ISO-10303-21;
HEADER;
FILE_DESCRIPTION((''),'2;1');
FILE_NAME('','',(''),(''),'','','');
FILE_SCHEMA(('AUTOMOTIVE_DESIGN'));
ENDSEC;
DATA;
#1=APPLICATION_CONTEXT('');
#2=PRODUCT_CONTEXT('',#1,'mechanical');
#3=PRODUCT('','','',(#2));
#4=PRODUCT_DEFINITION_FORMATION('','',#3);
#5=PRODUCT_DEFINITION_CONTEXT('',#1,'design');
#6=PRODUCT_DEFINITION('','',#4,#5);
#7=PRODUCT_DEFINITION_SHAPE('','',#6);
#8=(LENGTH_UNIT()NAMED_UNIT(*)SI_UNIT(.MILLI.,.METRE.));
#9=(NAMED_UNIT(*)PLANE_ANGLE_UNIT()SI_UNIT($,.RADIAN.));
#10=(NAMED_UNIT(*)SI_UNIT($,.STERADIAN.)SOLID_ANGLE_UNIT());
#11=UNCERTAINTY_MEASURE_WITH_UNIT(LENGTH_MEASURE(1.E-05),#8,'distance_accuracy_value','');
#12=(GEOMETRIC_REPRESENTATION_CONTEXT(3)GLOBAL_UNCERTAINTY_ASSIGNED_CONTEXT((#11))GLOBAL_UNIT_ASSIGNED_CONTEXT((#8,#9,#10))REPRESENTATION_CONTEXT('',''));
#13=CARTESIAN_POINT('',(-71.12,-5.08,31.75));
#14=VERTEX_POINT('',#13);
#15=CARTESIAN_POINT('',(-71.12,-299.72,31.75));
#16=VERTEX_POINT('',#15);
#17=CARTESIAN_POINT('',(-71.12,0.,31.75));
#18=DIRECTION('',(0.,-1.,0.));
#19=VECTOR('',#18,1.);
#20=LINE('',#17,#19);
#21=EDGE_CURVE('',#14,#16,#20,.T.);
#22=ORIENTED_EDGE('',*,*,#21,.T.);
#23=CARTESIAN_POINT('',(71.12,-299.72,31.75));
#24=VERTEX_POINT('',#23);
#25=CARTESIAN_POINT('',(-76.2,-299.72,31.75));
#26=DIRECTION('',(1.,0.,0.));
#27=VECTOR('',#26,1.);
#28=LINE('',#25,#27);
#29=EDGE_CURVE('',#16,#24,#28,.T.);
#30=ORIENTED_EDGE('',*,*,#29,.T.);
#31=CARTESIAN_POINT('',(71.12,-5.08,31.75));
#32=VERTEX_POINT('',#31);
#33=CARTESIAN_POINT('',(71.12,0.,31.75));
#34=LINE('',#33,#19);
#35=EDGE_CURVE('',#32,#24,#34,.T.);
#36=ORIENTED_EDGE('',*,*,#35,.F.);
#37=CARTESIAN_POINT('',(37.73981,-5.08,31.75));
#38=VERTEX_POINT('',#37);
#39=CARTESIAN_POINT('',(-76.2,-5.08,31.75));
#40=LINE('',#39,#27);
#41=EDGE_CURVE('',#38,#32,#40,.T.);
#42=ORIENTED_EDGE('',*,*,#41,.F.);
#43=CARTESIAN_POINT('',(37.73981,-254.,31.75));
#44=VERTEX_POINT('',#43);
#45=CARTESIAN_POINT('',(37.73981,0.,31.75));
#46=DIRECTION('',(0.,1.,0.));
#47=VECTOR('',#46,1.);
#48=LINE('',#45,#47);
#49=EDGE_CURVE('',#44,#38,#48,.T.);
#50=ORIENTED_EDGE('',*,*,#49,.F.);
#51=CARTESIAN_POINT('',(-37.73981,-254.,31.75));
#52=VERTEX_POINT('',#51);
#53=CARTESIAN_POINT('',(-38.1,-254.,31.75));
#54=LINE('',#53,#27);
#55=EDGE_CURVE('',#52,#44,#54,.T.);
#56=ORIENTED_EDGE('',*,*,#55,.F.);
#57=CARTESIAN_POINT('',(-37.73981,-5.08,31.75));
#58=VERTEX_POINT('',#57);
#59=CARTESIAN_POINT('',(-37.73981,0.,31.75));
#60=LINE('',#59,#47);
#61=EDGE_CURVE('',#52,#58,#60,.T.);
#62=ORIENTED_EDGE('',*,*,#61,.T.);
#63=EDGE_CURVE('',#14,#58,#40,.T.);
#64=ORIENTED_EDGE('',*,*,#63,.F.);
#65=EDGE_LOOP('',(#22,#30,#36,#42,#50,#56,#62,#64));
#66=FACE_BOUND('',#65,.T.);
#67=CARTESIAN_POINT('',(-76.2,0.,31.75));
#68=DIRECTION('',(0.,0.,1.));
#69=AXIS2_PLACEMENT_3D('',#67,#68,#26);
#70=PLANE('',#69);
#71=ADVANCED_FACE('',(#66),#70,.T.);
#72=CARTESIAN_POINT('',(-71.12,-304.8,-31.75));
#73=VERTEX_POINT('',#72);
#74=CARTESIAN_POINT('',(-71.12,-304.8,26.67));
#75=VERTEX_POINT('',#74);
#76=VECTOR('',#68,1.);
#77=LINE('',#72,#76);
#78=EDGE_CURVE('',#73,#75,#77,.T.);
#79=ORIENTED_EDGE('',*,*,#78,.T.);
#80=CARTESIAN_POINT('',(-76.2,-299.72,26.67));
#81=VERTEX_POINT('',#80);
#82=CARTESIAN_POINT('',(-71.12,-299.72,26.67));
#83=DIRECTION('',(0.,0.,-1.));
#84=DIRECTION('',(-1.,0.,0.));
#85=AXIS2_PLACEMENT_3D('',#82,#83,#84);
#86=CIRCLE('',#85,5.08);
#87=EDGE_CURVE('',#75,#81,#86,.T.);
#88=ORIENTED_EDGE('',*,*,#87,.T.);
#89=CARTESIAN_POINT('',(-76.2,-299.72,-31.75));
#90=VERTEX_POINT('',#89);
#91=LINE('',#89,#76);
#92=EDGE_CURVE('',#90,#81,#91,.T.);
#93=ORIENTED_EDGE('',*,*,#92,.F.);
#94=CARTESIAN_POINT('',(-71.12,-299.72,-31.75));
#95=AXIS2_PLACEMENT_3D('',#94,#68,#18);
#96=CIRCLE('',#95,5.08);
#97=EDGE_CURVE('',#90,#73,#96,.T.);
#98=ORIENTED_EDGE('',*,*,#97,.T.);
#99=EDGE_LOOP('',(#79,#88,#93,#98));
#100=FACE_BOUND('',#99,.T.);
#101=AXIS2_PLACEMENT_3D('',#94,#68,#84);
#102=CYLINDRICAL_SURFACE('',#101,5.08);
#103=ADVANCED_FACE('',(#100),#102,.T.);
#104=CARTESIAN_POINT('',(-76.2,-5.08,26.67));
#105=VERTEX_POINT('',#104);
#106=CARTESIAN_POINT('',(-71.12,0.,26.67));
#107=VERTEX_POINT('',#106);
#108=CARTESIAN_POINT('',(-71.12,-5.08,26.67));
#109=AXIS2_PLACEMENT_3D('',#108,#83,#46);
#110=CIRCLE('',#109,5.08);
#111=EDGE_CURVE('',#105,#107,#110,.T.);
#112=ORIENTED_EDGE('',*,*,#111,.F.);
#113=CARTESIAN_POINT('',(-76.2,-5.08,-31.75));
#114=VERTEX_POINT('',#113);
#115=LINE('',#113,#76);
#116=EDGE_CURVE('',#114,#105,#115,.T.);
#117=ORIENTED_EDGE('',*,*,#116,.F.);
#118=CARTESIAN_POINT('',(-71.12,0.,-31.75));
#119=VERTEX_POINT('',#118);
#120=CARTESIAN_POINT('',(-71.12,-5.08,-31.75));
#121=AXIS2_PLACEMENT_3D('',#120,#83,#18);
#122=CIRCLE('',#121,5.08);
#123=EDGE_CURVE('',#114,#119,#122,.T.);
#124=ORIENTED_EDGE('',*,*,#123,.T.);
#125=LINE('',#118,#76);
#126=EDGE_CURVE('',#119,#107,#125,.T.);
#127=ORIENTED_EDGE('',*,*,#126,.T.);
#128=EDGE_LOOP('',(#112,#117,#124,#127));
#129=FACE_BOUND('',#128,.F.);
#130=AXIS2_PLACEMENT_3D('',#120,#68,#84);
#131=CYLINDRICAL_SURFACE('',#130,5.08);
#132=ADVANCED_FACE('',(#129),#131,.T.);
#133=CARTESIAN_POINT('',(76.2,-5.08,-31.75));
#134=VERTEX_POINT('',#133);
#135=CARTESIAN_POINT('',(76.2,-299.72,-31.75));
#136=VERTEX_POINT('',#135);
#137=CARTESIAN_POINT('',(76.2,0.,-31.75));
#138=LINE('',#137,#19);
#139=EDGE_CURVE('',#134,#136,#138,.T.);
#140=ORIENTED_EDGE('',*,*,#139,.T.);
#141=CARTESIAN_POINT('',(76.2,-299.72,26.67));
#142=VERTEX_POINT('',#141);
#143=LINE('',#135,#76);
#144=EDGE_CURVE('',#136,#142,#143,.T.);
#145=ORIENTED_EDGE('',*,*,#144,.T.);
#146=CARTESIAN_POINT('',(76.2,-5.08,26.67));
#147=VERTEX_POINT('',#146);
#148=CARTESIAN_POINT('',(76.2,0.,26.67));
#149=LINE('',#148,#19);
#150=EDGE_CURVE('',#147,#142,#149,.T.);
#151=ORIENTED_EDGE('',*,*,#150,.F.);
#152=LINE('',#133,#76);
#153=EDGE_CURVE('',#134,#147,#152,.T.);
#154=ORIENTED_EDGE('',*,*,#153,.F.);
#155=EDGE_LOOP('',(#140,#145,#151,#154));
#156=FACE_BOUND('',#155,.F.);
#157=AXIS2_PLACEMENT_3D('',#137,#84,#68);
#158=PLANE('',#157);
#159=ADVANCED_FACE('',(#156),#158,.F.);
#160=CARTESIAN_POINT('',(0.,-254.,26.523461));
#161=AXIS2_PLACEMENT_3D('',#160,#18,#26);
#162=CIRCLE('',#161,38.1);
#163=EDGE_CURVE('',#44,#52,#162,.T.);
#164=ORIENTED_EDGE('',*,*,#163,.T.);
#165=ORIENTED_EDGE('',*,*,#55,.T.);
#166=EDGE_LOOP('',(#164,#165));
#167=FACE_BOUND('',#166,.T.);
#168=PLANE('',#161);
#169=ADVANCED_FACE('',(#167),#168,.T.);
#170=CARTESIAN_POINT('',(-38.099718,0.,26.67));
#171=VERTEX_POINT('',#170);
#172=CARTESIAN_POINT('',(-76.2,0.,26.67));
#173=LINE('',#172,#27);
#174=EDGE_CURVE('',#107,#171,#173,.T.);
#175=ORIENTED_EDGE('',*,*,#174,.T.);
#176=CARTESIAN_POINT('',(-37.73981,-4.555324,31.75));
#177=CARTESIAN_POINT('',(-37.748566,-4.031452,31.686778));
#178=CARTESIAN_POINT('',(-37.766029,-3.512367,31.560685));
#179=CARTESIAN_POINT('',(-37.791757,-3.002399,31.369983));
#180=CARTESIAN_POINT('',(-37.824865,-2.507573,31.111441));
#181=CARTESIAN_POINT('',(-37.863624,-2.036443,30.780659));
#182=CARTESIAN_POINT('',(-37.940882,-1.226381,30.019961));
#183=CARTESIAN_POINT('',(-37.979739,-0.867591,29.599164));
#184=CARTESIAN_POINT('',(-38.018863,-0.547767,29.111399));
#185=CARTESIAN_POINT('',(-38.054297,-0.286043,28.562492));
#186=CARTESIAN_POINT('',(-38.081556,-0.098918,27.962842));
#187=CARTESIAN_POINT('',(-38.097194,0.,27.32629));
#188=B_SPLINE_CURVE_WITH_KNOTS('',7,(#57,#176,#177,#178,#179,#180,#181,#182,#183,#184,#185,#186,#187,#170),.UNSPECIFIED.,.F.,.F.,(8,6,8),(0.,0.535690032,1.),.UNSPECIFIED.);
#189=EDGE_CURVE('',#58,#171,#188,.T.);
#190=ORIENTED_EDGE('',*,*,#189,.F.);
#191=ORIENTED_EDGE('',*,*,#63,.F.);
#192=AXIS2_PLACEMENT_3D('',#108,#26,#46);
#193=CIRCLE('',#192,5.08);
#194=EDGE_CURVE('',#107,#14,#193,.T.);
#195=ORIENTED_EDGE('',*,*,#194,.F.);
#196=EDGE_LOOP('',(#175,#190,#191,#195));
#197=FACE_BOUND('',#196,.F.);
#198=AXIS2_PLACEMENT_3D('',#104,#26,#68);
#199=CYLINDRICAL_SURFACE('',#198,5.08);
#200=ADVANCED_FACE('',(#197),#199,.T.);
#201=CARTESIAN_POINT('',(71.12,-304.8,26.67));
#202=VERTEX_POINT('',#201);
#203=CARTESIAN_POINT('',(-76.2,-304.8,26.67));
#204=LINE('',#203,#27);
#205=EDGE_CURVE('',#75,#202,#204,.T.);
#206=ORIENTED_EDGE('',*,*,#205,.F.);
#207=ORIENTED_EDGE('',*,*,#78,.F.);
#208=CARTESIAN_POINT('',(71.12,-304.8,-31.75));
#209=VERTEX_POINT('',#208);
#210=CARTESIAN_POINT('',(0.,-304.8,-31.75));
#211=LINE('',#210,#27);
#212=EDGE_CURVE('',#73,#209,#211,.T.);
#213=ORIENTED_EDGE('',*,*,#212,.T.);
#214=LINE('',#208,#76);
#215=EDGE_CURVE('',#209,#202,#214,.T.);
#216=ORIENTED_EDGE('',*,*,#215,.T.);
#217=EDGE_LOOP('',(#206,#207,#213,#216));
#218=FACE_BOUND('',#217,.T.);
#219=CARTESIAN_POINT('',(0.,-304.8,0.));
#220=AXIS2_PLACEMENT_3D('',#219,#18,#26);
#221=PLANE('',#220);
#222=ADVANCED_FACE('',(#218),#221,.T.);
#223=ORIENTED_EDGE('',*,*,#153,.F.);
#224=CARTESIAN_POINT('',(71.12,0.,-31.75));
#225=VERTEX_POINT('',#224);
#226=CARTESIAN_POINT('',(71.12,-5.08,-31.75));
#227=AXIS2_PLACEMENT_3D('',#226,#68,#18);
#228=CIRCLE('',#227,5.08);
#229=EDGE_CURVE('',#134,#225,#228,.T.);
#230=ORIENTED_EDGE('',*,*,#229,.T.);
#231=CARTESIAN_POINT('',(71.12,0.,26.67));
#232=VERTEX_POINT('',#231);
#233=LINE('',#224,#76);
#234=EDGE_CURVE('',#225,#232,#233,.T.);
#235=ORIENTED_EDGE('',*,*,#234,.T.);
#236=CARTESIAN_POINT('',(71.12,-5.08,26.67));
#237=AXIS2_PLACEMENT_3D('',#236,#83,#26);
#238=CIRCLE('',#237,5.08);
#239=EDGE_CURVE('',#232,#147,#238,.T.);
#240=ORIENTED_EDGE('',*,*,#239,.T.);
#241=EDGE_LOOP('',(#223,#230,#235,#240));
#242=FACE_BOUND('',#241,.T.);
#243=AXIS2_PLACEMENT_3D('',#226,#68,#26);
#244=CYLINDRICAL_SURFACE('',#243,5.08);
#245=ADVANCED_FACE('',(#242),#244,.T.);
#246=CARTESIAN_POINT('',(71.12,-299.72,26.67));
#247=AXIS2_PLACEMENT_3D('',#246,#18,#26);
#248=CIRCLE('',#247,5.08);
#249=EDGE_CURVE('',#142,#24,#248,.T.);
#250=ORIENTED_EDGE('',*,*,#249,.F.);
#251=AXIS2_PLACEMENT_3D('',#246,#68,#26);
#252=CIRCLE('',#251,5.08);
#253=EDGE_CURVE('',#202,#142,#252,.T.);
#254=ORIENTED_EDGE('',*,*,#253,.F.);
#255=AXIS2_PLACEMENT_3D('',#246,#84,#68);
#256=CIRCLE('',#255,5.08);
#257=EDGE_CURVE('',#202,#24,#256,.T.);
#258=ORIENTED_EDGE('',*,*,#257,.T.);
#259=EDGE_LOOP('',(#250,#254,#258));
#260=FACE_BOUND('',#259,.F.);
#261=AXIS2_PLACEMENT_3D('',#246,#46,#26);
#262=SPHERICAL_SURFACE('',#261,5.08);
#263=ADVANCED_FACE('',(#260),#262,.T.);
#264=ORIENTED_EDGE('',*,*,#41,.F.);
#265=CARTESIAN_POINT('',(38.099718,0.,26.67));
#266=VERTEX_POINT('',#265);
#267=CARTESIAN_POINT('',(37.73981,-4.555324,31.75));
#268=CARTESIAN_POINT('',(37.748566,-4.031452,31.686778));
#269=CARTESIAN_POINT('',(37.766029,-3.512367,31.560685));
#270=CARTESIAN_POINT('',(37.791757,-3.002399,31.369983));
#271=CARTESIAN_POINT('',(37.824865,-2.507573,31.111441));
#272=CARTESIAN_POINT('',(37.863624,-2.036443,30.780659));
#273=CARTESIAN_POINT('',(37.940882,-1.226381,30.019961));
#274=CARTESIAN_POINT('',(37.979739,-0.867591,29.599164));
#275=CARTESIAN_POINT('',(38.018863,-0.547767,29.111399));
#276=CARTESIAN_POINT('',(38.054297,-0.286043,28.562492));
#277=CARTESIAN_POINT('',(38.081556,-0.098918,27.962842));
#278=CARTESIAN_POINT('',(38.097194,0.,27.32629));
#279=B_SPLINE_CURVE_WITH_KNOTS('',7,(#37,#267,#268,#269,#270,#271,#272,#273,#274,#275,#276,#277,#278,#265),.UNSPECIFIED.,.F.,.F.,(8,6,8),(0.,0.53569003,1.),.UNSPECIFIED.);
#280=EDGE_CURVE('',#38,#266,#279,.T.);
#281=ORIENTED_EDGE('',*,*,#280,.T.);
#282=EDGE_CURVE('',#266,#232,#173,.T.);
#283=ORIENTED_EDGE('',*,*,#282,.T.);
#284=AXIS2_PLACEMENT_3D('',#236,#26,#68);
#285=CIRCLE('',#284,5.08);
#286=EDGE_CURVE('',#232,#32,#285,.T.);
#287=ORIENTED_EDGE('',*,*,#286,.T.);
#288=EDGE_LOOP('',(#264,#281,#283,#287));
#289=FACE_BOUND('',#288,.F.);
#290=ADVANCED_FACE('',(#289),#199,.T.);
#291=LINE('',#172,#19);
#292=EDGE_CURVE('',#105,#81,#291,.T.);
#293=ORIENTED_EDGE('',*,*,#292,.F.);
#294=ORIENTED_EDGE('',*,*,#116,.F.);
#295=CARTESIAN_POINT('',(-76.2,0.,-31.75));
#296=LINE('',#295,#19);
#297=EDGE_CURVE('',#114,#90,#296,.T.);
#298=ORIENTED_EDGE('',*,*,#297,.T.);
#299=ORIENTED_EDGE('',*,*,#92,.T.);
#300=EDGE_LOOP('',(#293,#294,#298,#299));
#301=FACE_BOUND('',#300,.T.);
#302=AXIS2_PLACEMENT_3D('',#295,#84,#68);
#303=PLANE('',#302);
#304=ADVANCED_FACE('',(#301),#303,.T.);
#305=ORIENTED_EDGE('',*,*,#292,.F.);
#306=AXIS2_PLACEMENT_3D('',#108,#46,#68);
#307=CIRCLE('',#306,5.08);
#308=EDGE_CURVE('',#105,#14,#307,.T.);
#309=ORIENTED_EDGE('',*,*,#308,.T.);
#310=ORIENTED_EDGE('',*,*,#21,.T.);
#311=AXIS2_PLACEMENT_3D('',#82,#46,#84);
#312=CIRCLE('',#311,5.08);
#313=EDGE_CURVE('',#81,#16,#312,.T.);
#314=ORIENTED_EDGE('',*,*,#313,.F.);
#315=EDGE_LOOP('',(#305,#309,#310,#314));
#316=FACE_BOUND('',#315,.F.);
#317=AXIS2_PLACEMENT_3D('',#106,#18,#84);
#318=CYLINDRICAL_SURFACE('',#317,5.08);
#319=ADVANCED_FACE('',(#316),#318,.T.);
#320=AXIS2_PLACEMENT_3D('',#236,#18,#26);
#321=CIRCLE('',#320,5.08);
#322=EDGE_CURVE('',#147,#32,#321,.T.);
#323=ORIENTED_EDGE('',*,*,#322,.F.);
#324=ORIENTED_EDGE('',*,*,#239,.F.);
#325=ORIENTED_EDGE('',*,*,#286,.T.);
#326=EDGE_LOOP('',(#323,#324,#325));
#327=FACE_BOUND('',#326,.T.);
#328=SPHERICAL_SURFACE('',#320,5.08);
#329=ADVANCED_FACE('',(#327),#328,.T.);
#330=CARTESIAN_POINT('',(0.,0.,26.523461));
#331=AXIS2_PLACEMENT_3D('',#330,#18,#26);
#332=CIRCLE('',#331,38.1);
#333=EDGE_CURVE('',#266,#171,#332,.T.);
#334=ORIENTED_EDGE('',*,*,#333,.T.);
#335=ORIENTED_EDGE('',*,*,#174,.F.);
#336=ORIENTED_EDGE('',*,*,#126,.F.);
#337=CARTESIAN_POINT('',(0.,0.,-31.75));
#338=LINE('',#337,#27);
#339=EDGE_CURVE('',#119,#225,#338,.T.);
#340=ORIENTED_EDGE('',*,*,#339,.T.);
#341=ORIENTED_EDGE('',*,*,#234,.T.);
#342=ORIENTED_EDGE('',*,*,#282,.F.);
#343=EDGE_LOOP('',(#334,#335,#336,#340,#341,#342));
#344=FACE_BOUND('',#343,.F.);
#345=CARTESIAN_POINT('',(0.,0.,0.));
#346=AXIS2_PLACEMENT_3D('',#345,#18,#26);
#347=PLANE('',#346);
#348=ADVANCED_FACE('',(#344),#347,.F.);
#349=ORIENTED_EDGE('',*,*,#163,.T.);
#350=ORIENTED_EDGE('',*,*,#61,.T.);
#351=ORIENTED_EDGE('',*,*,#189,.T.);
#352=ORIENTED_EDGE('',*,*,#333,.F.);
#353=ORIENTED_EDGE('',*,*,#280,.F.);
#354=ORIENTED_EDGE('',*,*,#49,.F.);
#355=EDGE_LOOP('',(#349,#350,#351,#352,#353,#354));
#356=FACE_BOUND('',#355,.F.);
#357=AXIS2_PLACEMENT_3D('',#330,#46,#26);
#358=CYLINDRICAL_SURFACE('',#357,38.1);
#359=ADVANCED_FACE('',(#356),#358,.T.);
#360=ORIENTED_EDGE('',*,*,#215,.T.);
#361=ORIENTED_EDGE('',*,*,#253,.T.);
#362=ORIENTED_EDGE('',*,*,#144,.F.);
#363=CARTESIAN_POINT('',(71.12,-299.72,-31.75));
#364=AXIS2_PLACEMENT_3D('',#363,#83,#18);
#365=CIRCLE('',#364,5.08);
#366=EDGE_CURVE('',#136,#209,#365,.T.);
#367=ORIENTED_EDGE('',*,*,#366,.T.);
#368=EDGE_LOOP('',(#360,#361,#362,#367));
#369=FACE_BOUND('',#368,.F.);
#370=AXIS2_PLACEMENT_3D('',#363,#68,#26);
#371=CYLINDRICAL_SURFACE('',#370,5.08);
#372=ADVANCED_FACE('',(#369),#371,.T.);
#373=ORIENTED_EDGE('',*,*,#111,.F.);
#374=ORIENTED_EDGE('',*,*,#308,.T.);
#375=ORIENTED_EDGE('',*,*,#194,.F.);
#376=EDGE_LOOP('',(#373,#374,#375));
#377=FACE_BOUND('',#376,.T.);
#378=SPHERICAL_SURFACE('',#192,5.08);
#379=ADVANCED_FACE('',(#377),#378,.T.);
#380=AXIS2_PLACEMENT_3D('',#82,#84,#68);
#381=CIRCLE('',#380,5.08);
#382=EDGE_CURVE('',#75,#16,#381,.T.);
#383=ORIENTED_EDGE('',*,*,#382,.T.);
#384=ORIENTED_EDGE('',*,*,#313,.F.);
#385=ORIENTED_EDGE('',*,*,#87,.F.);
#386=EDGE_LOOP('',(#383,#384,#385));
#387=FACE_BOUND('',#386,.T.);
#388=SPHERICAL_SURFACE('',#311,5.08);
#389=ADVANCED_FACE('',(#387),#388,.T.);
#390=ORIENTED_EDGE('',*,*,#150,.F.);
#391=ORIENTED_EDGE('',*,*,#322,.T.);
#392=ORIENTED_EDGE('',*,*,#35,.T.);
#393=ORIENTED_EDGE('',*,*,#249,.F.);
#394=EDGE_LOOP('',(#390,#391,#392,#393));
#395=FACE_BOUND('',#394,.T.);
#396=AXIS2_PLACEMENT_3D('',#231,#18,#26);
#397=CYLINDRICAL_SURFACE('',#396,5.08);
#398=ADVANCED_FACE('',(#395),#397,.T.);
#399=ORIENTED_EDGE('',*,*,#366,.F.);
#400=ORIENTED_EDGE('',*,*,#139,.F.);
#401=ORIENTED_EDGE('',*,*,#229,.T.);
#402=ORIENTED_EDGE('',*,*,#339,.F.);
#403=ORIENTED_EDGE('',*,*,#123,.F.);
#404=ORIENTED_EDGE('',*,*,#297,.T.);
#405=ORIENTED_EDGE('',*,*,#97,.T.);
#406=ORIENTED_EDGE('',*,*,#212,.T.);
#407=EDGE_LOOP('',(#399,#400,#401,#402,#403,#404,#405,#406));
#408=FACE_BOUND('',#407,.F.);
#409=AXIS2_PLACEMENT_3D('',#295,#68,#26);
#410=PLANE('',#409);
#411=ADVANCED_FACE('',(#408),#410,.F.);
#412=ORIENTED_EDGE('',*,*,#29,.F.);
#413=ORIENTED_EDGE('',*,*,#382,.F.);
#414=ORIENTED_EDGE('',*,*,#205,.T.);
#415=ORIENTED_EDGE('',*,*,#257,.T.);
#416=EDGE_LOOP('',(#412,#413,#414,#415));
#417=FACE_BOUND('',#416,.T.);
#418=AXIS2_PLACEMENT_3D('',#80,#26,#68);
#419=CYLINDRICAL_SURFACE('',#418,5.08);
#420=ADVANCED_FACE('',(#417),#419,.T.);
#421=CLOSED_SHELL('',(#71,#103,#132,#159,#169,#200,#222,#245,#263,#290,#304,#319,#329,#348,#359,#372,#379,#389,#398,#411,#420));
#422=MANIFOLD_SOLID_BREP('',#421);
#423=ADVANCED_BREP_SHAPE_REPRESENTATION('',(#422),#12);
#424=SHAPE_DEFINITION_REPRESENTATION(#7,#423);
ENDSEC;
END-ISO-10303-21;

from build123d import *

# Parameters (mm, degrees)
F0_W     = 152.4
F0_H     = 63.5
F1_DEPTH = 304.8
F2_R     = 5.08
F3_R     = 38.1
F4_DEPTH = 254


with BuildPart() as f1:
    # F0 (on Front) → F1 (new body)
    with BuildSketch(Plane.XZ):
        Rectangle(F0_W, F0_H)
    extrude(amount=F1_DEPTH)

    # F2
    f2_edges = [f1.edges().sort_by_distance(p)[0] for p in [
        (76.2, -152.4, 31.75),
        (76.2, -304.8, 0),
        (76.2, 0, 0),
        (0, 0, 31.75),
        (-76.2, 0, 0),
        (-76.2, -152.4, 31.75),
        (-76.2, -304.8, 0),
        (0, -304.8, 31.75),
    ]]
    fillet(f2_edges, radius=F2_R)

    # F3 (on Front) → F4 (join)
    with BuildSketch(Plane.XZ):
        with Locations((0, 26.523461)):
            Circle(F3_R)
    extrude(amount=F4_DEPTH)


solid = f1.part
